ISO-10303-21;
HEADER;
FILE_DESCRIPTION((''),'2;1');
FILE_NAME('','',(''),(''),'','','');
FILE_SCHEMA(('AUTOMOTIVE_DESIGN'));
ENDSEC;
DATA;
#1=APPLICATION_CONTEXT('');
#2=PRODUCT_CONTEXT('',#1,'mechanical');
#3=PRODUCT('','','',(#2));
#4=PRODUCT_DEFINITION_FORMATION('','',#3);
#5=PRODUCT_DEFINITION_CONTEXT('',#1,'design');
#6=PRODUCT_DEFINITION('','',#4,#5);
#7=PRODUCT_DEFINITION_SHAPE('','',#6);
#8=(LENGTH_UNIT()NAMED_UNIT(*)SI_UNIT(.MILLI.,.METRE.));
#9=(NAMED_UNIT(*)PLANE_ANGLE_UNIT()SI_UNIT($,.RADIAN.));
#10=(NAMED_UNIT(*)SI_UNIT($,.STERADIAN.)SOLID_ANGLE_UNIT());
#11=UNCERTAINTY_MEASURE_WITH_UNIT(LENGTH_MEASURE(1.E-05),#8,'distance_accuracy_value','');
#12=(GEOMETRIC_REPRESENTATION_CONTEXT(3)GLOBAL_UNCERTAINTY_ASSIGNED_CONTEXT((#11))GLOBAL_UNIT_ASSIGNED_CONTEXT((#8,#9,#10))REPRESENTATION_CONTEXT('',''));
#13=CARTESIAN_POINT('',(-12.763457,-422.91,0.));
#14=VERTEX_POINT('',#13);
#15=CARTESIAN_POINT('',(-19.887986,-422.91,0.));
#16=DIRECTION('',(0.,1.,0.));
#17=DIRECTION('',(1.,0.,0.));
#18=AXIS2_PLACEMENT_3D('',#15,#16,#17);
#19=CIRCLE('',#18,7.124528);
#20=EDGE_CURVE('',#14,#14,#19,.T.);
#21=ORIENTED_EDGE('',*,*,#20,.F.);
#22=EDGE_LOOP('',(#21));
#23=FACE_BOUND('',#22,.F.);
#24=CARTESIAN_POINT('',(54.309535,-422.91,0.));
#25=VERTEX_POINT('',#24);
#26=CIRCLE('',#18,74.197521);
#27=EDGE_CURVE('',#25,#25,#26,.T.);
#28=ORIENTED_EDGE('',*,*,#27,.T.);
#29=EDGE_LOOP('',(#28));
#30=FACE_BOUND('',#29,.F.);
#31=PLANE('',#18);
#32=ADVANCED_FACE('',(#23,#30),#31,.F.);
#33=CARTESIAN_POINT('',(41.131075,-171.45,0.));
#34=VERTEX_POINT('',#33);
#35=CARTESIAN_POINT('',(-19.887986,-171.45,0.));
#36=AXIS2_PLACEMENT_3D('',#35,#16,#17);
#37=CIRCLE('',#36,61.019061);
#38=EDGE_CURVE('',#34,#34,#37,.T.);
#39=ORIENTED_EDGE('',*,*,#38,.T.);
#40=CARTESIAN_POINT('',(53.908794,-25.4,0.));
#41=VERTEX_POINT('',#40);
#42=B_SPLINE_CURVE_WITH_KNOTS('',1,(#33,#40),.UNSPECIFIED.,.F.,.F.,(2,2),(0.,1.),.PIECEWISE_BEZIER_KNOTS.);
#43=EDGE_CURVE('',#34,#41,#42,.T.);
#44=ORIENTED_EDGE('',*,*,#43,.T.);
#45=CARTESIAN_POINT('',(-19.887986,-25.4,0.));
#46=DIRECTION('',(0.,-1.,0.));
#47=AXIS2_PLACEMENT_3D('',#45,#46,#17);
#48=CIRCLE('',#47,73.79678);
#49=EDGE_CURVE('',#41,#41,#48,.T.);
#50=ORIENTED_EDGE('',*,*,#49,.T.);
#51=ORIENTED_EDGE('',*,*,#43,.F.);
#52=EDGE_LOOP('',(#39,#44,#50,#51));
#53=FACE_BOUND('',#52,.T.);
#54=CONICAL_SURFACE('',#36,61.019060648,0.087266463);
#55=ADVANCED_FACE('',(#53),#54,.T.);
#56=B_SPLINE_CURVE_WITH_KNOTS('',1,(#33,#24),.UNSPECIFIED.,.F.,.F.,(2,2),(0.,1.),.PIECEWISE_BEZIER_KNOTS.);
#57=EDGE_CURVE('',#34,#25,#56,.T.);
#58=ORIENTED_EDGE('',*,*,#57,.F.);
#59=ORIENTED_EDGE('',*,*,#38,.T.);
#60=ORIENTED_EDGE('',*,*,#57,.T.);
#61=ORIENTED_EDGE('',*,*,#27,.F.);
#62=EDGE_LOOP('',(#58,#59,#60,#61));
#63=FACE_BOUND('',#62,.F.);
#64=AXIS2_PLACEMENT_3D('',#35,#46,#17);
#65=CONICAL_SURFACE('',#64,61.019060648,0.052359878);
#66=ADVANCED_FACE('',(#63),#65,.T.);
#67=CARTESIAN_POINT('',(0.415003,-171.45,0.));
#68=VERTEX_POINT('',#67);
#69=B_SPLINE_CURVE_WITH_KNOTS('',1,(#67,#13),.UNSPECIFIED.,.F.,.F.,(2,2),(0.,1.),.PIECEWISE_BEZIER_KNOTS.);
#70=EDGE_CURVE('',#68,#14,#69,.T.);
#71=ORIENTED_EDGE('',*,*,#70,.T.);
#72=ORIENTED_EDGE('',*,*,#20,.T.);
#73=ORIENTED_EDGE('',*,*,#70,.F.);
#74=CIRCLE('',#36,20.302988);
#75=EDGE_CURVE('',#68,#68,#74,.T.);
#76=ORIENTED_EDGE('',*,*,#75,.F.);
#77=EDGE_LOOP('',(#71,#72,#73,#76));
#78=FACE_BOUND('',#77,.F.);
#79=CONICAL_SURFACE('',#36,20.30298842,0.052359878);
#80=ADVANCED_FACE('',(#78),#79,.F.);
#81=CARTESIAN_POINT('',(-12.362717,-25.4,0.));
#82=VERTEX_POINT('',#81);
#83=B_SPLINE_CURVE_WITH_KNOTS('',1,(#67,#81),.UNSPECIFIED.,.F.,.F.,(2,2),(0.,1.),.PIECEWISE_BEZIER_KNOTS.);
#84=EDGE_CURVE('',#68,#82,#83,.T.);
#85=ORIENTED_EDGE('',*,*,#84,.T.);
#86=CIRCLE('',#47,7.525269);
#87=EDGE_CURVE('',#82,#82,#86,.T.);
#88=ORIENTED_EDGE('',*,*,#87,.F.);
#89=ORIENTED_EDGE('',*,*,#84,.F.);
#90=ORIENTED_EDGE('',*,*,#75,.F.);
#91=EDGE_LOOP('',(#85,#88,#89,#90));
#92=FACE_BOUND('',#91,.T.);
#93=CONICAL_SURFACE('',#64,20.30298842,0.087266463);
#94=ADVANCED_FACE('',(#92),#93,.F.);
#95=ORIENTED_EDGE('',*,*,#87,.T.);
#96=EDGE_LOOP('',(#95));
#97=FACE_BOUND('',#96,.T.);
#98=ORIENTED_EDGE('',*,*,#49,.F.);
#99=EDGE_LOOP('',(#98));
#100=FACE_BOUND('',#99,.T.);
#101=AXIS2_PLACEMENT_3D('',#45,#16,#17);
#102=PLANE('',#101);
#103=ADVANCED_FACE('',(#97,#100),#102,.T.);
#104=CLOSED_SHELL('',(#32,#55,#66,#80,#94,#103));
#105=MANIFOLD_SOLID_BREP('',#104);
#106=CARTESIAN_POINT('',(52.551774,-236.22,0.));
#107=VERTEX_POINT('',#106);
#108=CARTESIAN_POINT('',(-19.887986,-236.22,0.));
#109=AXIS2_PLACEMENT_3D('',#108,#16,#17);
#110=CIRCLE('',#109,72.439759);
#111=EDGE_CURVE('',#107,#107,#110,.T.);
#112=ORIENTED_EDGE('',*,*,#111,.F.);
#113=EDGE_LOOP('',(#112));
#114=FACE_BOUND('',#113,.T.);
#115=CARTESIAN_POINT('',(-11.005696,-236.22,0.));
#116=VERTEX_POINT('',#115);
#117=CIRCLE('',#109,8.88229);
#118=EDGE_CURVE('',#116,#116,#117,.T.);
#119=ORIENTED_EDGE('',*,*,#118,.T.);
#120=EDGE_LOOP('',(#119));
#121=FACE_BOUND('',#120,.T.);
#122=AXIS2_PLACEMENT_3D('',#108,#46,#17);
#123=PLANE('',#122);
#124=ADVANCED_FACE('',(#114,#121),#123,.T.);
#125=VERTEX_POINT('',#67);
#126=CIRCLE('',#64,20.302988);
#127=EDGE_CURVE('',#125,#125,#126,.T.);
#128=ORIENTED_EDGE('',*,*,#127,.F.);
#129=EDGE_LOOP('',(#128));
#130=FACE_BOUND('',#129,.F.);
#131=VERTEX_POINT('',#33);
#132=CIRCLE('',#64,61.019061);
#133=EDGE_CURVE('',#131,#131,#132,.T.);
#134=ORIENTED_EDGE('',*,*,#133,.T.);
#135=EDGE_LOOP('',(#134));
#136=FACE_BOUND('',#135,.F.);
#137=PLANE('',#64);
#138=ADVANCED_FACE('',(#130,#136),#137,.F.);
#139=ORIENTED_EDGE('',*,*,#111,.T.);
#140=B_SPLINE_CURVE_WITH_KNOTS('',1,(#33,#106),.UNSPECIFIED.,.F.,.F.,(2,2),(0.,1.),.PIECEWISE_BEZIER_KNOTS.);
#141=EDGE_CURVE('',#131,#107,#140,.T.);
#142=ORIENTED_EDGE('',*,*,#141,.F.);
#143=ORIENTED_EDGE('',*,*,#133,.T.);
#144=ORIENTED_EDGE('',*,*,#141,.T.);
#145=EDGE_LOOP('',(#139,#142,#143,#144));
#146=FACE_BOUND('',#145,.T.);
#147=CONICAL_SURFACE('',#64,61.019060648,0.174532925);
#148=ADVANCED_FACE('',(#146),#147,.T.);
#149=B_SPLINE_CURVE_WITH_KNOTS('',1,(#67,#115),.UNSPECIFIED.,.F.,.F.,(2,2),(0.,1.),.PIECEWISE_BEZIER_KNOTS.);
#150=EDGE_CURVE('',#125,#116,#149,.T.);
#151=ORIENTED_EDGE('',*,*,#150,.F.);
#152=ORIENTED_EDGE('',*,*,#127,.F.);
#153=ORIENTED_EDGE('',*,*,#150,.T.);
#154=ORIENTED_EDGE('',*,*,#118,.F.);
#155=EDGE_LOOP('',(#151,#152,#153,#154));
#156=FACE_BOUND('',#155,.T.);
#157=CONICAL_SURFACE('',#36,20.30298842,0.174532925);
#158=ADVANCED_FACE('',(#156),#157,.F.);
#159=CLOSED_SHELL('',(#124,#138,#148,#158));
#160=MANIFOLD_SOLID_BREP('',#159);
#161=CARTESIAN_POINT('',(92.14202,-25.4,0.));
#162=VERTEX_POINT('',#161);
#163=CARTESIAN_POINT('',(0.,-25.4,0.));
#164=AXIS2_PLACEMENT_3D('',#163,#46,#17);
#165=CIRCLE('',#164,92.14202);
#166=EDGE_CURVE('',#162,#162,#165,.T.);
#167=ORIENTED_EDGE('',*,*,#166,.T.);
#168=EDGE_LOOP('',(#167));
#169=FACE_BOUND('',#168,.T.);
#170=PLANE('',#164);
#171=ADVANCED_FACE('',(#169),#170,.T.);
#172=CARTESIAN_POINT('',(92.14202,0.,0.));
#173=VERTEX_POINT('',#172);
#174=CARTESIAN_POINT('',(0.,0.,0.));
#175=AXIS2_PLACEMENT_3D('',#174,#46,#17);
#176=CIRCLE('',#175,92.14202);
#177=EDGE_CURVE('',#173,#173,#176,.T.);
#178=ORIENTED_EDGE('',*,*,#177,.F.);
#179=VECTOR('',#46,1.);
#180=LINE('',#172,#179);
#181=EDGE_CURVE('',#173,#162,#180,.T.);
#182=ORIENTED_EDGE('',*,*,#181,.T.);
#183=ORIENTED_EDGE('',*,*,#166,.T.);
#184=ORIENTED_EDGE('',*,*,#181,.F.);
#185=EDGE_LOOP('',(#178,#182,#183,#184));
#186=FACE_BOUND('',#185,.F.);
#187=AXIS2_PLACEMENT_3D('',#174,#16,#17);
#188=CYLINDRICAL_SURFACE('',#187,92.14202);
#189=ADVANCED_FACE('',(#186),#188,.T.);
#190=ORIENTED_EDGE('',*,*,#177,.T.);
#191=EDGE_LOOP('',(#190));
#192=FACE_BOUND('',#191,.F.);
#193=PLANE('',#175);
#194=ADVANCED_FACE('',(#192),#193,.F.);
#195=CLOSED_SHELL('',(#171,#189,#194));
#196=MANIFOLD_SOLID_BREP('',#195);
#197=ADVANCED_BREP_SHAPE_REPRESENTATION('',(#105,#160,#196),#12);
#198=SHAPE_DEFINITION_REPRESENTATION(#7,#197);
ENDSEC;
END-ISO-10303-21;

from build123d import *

# Parameters (mm, degrees)
F0_R          = 92.1420195992
F1_DEPTH      = 25.4
F3_R          = 61.0190606482
F3_R_2        = 20.30298842
F4_DEPTH      = 64.77
F4_TAPER      = -10
F4_FACE_R     = 61.0190606482
F4_FACE_R_2   = 20.30298842
F6_DEPTH      = 146.05
F6_TAPER      = -5
F6_DEPTH_BACK = 251.46
F6_TAPER_BACK = -3


with BuildPart() as f1:
    # F0 (on Front) → F1 (new body)
    with BuildSketch(Plane.XZ):
        Circle(F0_R)
    extrude(amount=F1_DEPTH)


with BuildPart() as f4:
    # F3 (on offset) → F4 (new body)
    with BuildSketch(Plane.XZ.offset(171.45)):
        with Locations((-19.8879856616, 0)):
            Circle(F3_R)
        with Locations((-19.8879856616, 0)):
            Circle(F3_R_2, mode=Mode.SUBTRACT)
    extrude(amount=F4_DEPTH, taper=F4_TAPER)


with BuildPart() as f6:
    # F4_face (on face) → F6 (new body, two sides)
    with BuildSketch(Plane(origin=(-19.8879856616, -171.45, 0), x_dir=(1, 0, 0), z_dir=(0, 1, 0))) as f6_sk:
        Circle(F4_FACE_R)
        Circle(F4_FACE_R_2, mode=Mode.SUBTRACT)
    extrude(amount=F6_DEPTH, taper=F6_TAPER)
    extrude(f6_sk.sketch, amount=-F6_DEPTH_BACK, taper=F6_TAPER_BACK)


solid = Compound([f1.part, f4.part, f6.part])
